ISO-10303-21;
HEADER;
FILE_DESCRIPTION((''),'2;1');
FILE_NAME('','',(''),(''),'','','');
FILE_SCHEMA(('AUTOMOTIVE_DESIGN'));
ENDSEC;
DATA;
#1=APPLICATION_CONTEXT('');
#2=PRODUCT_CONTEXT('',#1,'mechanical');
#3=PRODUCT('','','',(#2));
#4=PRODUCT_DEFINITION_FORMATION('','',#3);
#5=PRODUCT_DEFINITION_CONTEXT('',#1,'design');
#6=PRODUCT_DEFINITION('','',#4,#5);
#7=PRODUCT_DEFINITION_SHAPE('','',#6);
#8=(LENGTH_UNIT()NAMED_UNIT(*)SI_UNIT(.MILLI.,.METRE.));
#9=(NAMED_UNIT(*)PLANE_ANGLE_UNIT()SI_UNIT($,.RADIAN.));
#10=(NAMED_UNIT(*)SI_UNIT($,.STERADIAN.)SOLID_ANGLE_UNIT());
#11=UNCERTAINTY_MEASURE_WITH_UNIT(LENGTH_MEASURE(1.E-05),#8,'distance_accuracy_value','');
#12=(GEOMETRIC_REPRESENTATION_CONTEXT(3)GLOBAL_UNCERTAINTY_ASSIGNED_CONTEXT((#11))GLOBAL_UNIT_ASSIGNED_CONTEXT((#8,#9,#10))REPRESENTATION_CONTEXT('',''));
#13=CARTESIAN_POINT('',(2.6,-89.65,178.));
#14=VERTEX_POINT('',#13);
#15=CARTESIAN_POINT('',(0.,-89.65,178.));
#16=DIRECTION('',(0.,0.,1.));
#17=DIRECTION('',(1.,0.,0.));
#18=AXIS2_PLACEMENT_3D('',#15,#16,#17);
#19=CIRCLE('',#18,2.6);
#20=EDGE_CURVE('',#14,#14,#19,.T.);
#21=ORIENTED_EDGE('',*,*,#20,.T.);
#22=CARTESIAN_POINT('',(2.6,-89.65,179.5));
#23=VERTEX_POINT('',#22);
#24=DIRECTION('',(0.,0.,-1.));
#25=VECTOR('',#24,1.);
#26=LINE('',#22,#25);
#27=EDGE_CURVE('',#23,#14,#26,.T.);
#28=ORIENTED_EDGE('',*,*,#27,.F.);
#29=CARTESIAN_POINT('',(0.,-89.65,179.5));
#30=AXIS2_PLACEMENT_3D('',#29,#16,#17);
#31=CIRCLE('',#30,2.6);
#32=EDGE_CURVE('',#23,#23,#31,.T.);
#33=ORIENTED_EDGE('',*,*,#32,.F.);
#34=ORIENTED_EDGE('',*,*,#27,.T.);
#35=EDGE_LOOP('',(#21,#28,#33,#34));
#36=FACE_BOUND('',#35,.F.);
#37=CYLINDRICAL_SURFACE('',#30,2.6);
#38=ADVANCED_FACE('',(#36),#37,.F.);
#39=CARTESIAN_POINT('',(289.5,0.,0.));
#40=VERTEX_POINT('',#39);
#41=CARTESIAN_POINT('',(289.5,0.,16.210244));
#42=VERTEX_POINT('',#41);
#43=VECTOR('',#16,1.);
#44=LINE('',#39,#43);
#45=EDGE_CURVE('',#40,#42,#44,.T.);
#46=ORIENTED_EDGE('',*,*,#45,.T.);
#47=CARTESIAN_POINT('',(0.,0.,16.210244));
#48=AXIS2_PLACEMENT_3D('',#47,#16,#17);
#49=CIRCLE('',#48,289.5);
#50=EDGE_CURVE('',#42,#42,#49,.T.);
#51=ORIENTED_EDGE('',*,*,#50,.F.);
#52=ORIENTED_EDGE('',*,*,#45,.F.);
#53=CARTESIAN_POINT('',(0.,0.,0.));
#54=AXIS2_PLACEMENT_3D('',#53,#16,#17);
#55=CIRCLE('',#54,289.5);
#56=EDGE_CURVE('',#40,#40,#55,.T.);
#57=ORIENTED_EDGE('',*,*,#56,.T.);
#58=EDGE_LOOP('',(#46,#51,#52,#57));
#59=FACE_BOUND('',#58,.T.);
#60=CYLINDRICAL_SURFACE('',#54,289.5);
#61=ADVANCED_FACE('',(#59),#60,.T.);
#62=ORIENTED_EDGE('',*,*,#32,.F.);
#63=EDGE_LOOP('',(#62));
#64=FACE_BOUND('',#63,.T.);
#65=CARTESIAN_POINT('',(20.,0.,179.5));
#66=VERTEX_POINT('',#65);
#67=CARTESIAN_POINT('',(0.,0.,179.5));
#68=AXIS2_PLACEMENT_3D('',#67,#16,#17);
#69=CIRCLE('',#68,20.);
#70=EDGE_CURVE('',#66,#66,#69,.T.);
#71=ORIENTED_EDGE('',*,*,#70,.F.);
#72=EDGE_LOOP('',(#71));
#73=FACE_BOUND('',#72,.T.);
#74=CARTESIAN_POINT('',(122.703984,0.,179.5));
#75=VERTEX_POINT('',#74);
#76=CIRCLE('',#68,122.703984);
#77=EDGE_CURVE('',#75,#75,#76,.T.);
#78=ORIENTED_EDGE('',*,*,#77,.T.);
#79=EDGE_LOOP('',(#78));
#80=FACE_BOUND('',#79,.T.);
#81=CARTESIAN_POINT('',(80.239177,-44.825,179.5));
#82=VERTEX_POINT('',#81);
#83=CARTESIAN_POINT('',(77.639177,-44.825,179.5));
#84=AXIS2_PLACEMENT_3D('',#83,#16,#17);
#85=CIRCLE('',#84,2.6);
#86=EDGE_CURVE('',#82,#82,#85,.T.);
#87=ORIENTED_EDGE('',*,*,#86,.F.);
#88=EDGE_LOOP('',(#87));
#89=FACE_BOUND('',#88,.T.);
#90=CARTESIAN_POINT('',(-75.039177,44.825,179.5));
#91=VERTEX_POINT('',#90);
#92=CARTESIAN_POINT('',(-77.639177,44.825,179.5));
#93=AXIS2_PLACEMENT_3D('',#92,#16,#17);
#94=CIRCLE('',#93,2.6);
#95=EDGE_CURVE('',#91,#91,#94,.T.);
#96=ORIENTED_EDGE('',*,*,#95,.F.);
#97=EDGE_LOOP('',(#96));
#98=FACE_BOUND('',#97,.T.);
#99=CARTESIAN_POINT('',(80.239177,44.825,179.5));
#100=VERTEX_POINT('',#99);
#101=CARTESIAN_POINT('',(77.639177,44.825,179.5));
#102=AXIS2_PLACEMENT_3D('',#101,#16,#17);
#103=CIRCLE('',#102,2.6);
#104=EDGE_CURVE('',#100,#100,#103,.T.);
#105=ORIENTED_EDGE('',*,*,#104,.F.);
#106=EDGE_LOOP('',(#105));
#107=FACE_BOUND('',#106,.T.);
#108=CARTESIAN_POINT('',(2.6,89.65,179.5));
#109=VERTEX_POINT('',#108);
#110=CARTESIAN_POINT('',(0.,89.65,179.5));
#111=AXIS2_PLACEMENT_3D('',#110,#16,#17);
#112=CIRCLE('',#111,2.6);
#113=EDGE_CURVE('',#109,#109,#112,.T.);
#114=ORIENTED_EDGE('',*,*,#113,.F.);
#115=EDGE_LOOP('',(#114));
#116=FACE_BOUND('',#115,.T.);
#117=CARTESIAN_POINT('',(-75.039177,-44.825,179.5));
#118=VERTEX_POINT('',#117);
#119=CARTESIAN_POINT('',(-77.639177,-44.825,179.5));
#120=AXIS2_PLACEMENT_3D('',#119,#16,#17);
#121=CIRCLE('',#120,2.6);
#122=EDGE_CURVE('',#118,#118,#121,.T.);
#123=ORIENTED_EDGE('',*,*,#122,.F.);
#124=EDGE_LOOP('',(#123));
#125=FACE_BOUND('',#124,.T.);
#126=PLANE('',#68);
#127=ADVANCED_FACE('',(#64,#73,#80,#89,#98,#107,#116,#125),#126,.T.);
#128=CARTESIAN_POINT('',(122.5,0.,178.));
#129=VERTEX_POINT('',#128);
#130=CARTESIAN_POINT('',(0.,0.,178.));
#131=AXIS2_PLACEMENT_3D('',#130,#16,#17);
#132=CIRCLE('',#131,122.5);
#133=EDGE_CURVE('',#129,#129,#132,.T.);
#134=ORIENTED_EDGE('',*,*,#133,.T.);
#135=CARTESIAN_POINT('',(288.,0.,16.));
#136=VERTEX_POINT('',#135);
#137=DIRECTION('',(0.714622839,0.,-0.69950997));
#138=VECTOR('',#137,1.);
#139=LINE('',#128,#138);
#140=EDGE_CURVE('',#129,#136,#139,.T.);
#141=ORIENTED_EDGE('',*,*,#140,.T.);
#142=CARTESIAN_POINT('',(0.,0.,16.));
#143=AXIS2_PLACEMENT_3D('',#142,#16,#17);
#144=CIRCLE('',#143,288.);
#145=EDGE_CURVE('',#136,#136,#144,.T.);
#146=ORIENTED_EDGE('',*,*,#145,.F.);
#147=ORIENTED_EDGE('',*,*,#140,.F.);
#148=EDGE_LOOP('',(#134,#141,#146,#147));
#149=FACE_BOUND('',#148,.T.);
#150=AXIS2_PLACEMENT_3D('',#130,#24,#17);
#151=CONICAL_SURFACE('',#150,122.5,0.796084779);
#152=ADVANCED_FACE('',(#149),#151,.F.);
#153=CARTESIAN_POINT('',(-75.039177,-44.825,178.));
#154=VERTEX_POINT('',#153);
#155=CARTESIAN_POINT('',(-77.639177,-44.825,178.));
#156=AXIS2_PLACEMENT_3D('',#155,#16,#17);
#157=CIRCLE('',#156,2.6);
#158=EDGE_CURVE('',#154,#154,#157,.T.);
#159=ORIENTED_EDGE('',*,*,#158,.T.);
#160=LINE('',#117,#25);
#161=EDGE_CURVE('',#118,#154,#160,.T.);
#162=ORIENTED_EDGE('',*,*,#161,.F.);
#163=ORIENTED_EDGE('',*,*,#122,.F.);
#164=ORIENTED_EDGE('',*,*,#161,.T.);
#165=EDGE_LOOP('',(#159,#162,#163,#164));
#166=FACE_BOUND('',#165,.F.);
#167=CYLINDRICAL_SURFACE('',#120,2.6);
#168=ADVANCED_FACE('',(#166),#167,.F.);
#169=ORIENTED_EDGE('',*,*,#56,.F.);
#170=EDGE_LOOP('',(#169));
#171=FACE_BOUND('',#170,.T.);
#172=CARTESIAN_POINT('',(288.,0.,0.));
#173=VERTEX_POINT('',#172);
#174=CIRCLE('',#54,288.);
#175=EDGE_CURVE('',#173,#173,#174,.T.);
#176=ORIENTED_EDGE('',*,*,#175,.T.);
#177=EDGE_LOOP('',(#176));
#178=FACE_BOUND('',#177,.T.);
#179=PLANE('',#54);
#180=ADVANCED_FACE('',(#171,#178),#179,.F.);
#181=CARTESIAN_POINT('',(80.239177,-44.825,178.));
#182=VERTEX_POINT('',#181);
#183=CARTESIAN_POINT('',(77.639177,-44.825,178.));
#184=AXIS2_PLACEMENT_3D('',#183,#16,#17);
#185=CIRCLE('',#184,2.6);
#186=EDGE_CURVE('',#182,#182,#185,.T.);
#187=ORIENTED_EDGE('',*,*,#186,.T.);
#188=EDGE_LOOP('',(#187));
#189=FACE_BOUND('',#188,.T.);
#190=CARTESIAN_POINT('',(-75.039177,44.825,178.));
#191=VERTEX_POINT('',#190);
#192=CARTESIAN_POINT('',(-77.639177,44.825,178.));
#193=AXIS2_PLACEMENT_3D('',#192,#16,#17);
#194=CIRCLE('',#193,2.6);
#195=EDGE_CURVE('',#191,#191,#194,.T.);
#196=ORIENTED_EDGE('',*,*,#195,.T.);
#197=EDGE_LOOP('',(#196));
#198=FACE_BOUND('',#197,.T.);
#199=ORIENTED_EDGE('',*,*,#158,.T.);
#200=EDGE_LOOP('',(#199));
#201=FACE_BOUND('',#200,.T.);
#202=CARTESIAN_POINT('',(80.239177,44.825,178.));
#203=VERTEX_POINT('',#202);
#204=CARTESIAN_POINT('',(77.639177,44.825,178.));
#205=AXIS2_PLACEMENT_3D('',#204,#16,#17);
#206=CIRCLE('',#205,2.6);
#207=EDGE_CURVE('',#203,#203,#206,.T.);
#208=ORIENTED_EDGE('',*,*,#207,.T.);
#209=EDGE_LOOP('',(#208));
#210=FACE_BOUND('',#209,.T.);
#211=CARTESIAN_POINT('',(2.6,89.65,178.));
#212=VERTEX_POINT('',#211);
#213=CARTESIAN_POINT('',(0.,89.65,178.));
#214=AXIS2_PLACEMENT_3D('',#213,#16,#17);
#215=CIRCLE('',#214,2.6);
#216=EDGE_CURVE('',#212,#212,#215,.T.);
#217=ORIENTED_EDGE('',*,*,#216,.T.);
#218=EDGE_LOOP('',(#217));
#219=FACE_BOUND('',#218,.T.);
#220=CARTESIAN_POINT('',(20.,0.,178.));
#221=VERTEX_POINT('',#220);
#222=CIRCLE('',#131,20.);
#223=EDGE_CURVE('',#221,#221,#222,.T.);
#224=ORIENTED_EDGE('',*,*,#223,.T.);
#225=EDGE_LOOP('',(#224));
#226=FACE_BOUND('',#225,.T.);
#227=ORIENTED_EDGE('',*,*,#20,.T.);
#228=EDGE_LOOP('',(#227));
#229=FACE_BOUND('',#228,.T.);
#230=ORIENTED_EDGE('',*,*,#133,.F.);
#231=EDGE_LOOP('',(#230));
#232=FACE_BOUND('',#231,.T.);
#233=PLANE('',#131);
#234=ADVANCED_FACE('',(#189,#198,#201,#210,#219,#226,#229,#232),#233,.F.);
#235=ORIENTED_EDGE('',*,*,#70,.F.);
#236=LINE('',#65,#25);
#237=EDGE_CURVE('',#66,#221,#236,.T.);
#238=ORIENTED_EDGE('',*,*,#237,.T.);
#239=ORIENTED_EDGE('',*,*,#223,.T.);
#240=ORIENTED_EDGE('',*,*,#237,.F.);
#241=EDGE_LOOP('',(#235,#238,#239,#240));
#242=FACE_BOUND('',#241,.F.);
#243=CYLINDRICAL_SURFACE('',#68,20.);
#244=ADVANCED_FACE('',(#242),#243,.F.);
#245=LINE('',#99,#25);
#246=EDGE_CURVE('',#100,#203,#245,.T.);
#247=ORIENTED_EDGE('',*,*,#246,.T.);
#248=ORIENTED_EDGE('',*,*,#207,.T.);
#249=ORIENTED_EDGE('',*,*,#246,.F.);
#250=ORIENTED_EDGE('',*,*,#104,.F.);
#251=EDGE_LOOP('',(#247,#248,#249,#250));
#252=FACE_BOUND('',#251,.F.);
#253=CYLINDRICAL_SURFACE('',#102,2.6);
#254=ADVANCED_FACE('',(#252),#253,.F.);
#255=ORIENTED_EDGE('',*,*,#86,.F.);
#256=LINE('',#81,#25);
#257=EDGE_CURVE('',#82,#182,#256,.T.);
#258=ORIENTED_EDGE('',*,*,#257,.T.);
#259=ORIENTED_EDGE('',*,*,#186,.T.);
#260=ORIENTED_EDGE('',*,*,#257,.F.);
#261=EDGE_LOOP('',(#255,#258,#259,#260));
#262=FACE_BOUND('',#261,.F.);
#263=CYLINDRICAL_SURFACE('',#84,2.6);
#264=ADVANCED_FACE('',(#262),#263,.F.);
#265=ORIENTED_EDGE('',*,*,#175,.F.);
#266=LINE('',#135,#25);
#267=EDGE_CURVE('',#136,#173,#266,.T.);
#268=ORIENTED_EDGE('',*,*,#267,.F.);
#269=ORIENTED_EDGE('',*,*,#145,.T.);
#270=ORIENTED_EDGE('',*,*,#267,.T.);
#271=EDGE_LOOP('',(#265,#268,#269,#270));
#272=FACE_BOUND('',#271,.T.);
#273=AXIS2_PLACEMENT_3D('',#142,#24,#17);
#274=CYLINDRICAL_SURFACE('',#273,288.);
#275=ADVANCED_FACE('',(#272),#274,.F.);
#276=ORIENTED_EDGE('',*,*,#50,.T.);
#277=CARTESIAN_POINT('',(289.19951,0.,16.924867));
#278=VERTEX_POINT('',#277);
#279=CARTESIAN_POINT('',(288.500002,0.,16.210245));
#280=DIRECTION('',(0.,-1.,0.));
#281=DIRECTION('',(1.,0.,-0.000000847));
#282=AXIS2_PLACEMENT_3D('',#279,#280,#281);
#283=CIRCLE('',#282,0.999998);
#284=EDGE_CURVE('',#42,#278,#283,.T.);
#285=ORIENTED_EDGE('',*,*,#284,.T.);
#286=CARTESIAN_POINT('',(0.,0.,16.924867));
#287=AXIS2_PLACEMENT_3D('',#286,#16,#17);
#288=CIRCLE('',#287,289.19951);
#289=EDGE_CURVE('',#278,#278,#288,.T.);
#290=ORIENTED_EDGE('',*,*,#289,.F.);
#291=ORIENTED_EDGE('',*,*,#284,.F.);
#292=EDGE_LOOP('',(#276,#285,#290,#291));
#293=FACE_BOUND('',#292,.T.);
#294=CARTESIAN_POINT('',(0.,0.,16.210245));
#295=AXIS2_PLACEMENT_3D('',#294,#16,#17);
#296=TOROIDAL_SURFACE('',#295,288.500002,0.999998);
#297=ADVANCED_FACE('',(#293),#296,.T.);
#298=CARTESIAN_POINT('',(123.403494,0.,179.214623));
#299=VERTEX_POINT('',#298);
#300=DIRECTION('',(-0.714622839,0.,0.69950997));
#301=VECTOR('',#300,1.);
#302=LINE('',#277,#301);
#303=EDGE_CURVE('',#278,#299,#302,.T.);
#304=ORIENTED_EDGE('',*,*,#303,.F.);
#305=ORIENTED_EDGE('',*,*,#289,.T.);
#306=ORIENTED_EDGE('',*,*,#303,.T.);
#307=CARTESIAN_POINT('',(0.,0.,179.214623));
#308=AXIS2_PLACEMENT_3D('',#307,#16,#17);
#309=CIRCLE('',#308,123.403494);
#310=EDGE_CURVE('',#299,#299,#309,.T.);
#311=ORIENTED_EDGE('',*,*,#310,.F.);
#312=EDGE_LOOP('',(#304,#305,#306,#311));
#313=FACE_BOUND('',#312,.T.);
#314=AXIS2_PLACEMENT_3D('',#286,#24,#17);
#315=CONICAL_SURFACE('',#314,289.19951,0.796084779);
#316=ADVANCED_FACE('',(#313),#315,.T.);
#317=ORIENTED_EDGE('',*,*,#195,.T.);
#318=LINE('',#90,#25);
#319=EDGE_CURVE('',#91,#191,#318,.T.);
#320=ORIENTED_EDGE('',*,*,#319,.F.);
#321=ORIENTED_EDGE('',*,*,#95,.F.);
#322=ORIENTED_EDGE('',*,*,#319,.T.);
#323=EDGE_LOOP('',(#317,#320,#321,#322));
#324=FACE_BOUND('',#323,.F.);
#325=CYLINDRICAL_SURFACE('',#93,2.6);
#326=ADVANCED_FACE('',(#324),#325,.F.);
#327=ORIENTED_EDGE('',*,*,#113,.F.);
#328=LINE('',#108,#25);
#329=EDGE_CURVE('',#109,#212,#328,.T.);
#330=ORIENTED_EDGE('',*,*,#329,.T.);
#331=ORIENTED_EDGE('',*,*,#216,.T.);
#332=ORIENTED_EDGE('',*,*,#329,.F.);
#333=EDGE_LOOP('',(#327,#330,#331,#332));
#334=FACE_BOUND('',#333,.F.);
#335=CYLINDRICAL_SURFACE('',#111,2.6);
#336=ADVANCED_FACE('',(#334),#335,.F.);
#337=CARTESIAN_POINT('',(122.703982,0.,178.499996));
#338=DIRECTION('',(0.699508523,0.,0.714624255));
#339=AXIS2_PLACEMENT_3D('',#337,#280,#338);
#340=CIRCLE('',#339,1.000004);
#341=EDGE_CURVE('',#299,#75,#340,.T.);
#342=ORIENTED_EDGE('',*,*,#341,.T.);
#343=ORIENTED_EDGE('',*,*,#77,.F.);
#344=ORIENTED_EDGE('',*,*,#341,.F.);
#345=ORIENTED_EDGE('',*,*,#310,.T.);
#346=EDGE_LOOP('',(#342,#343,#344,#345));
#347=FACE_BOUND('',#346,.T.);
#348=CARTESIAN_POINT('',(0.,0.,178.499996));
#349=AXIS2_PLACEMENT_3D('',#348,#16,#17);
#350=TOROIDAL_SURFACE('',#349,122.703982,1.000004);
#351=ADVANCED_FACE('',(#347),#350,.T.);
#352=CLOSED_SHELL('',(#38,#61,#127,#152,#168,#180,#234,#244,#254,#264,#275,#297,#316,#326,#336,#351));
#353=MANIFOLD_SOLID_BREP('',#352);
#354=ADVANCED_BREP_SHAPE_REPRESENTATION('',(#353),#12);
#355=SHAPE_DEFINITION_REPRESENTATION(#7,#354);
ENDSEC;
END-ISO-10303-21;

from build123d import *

# Parameters (mm, degrees)
F2_R     = 5
F3_DEPTH = 1.5
F4_R     = 20
F5_DEPTH = 179.501
F6_R     = 2.6
F7_DEPTH = 179.501


with BuildPart() as f1:
    # F0 (on Front) → F1 (revolve)
    with BuildSketch(Plane.XZ):
        with BuildLine():
            Line((288, 16), (288, 0))
            Line((288, 0), (289.5, 0))
            Line((289.5, 0), (289.5, 16.210244))
            ThreePointArc((289.5, 16.210244), (289.421822, 16.597858), (289.19951, 16.924867))
            Line((289.19951, 16.924867), (123.403494, 179.214623))
            ThreePointArc((123.403494, 179.214623), (123.081725, 179.425911), (122.703984, 179.5))
            Line((122.703984, 179.5), (0, 179.5))
            Line((0, 179.5), (0, 178))
            Line((0, 178), (122.5, 178))
            Line((122.5, 178), (288, 16))
        make_face()
    revolve(axis=Axis((0, 0, 89), (0, 0, 1)))

    # F2 (on face) → F3 (cut, through all)
    with BuildSketch(Plane.XY.offset(179.5)):
        Circle(F2_R)
    extrude(amount=-F3_DEPTH, mode=Mode.SUBTRACT)

    # F4 (on face) → F5 (cut, through all)
    with BuildSketch(Plane.XY.offset(179.5)):
        Circle(F4_R)
    extrude(amount=-F5_DEPTH, mode=Mode.SUBTRACT)

    # F6 (on face) → F7 (cut, through all)
    with BuildSketch(Plane.XY.offset(179.5)):
        with Locations((0, 89.65)):
            Circle(F6_R)
        with Locations((-77.639177, 44.825)):
            Circle(F6_R)
        with Locations((-77.639177, -44.825)):
            Circle(F6_R)
        with Locations((0, -89.65)):
            Circle(F6_R)
        with Locations((77.639177, -44.825)):
            Circle(F6_R)
        with Locations((77.639177, 44.825)):
            Circle(F6_R)
    extrude(amount=-F7_DEPTH, mode=Mode.SUBTRACT)


solid = f1.part
